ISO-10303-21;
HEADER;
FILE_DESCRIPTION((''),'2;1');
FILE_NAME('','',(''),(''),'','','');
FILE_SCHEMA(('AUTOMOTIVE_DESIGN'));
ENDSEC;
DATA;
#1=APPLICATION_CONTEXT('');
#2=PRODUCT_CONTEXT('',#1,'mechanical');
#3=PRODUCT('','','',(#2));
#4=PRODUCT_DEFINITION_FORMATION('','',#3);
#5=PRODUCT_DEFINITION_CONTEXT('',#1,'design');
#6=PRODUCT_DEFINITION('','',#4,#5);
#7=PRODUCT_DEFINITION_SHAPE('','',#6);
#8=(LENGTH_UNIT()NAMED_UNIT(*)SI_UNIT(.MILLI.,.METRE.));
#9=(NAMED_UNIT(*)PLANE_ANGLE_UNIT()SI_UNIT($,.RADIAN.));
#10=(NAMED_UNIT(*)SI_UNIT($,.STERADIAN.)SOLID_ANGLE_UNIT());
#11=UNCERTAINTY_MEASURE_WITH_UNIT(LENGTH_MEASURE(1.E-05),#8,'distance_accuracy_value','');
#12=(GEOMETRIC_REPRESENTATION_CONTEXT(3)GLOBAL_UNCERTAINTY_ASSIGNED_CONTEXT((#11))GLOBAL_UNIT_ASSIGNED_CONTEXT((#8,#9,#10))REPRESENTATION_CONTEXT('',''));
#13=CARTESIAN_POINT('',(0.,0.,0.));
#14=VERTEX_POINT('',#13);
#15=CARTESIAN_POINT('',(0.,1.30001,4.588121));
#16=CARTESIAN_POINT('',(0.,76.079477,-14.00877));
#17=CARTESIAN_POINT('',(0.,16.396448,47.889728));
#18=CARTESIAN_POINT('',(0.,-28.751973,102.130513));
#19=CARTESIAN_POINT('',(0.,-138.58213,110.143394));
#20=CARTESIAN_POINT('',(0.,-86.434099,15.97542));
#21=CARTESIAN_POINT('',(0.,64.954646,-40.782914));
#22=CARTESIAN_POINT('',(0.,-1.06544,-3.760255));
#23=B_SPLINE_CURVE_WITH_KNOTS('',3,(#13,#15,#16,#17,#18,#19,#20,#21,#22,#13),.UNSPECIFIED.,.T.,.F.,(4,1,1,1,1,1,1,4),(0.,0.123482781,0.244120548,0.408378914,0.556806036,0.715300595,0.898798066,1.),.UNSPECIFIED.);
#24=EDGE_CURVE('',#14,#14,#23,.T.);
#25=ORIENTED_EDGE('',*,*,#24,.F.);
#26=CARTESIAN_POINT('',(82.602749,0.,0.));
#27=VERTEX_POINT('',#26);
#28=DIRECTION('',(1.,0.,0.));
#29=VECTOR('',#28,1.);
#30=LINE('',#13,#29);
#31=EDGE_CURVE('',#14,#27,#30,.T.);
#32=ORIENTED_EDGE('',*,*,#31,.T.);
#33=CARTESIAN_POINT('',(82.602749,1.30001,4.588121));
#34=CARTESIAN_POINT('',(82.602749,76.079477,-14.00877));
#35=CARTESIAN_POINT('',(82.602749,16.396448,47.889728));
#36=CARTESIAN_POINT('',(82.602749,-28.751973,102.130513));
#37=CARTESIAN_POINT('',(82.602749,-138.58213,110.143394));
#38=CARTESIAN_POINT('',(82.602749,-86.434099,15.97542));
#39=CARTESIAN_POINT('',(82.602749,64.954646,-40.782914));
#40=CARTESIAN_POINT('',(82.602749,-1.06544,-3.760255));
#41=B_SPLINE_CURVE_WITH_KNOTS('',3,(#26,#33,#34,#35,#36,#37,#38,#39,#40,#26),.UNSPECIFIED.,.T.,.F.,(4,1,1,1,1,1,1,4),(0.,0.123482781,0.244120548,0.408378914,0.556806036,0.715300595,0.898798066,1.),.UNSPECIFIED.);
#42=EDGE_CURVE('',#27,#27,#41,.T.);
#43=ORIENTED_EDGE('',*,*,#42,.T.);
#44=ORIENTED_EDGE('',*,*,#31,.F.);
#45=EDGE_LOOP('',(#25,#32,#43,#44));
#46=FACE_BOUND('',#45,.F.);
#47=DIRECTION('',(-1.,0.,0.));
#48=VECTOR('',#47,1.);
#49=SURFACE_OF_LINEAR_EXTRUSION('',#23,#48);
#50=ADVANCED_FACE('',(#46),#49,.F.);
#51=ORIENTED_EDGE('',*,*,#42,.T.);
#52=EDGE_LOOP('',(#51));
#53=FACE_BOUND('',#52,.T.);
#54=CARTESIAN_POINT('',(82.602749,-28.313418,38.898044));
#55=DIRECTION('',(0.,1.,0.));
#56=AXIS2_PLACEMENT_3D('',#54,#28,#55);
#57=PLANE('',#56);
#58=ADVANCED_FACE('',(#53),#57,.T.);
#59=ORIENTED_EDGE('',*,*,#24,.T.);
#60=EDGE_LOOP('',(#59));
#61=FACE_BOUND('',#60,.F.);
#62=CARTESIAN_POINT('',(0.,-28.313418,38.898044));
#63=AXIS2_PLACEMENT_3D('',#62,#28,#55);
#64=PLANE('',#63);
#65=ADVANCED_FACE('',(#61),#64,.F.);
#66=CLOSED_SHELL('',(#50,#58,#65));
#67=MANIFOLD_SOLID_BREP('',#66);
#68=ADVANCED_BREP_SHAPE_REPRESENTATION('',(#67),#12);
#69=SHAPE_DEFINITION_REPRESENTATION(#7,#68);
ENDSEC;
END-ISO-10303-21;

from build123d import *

# Parameters (mm, degrees)
F2_DEPTH = 82.6027486473


with BuildPart() as f2:
    # F0 (on Right) → F2 (new body)
    with BuildSketch(Plane.YZ):
        with BuildLine():
            add(Edge.make_bspline(
                [(0, 0), (1.3000101172, 4.5881213579), (76.0794767785, -14.008769884), (16.3964484435, 47.889727971), (-28.7519730837, 102.1305127616), (-138.5821301493, 110.1433943439), (-86.4340987956, 15.9754202143), (64.9546456439, -40.7829140406), (-1.0654403571, -3.7602550884), (0, 0)],
                knots=[0, 0, 0, 0, 0.1234827808, 0.2441205476, 0.4083789142, 0.5568060357, 0.7153005945, 0.898798066, 1, 1, 1, 1], degree=3))
        make_face()
    extrude(amount=F2_DEPTH)


solid = f2.part
